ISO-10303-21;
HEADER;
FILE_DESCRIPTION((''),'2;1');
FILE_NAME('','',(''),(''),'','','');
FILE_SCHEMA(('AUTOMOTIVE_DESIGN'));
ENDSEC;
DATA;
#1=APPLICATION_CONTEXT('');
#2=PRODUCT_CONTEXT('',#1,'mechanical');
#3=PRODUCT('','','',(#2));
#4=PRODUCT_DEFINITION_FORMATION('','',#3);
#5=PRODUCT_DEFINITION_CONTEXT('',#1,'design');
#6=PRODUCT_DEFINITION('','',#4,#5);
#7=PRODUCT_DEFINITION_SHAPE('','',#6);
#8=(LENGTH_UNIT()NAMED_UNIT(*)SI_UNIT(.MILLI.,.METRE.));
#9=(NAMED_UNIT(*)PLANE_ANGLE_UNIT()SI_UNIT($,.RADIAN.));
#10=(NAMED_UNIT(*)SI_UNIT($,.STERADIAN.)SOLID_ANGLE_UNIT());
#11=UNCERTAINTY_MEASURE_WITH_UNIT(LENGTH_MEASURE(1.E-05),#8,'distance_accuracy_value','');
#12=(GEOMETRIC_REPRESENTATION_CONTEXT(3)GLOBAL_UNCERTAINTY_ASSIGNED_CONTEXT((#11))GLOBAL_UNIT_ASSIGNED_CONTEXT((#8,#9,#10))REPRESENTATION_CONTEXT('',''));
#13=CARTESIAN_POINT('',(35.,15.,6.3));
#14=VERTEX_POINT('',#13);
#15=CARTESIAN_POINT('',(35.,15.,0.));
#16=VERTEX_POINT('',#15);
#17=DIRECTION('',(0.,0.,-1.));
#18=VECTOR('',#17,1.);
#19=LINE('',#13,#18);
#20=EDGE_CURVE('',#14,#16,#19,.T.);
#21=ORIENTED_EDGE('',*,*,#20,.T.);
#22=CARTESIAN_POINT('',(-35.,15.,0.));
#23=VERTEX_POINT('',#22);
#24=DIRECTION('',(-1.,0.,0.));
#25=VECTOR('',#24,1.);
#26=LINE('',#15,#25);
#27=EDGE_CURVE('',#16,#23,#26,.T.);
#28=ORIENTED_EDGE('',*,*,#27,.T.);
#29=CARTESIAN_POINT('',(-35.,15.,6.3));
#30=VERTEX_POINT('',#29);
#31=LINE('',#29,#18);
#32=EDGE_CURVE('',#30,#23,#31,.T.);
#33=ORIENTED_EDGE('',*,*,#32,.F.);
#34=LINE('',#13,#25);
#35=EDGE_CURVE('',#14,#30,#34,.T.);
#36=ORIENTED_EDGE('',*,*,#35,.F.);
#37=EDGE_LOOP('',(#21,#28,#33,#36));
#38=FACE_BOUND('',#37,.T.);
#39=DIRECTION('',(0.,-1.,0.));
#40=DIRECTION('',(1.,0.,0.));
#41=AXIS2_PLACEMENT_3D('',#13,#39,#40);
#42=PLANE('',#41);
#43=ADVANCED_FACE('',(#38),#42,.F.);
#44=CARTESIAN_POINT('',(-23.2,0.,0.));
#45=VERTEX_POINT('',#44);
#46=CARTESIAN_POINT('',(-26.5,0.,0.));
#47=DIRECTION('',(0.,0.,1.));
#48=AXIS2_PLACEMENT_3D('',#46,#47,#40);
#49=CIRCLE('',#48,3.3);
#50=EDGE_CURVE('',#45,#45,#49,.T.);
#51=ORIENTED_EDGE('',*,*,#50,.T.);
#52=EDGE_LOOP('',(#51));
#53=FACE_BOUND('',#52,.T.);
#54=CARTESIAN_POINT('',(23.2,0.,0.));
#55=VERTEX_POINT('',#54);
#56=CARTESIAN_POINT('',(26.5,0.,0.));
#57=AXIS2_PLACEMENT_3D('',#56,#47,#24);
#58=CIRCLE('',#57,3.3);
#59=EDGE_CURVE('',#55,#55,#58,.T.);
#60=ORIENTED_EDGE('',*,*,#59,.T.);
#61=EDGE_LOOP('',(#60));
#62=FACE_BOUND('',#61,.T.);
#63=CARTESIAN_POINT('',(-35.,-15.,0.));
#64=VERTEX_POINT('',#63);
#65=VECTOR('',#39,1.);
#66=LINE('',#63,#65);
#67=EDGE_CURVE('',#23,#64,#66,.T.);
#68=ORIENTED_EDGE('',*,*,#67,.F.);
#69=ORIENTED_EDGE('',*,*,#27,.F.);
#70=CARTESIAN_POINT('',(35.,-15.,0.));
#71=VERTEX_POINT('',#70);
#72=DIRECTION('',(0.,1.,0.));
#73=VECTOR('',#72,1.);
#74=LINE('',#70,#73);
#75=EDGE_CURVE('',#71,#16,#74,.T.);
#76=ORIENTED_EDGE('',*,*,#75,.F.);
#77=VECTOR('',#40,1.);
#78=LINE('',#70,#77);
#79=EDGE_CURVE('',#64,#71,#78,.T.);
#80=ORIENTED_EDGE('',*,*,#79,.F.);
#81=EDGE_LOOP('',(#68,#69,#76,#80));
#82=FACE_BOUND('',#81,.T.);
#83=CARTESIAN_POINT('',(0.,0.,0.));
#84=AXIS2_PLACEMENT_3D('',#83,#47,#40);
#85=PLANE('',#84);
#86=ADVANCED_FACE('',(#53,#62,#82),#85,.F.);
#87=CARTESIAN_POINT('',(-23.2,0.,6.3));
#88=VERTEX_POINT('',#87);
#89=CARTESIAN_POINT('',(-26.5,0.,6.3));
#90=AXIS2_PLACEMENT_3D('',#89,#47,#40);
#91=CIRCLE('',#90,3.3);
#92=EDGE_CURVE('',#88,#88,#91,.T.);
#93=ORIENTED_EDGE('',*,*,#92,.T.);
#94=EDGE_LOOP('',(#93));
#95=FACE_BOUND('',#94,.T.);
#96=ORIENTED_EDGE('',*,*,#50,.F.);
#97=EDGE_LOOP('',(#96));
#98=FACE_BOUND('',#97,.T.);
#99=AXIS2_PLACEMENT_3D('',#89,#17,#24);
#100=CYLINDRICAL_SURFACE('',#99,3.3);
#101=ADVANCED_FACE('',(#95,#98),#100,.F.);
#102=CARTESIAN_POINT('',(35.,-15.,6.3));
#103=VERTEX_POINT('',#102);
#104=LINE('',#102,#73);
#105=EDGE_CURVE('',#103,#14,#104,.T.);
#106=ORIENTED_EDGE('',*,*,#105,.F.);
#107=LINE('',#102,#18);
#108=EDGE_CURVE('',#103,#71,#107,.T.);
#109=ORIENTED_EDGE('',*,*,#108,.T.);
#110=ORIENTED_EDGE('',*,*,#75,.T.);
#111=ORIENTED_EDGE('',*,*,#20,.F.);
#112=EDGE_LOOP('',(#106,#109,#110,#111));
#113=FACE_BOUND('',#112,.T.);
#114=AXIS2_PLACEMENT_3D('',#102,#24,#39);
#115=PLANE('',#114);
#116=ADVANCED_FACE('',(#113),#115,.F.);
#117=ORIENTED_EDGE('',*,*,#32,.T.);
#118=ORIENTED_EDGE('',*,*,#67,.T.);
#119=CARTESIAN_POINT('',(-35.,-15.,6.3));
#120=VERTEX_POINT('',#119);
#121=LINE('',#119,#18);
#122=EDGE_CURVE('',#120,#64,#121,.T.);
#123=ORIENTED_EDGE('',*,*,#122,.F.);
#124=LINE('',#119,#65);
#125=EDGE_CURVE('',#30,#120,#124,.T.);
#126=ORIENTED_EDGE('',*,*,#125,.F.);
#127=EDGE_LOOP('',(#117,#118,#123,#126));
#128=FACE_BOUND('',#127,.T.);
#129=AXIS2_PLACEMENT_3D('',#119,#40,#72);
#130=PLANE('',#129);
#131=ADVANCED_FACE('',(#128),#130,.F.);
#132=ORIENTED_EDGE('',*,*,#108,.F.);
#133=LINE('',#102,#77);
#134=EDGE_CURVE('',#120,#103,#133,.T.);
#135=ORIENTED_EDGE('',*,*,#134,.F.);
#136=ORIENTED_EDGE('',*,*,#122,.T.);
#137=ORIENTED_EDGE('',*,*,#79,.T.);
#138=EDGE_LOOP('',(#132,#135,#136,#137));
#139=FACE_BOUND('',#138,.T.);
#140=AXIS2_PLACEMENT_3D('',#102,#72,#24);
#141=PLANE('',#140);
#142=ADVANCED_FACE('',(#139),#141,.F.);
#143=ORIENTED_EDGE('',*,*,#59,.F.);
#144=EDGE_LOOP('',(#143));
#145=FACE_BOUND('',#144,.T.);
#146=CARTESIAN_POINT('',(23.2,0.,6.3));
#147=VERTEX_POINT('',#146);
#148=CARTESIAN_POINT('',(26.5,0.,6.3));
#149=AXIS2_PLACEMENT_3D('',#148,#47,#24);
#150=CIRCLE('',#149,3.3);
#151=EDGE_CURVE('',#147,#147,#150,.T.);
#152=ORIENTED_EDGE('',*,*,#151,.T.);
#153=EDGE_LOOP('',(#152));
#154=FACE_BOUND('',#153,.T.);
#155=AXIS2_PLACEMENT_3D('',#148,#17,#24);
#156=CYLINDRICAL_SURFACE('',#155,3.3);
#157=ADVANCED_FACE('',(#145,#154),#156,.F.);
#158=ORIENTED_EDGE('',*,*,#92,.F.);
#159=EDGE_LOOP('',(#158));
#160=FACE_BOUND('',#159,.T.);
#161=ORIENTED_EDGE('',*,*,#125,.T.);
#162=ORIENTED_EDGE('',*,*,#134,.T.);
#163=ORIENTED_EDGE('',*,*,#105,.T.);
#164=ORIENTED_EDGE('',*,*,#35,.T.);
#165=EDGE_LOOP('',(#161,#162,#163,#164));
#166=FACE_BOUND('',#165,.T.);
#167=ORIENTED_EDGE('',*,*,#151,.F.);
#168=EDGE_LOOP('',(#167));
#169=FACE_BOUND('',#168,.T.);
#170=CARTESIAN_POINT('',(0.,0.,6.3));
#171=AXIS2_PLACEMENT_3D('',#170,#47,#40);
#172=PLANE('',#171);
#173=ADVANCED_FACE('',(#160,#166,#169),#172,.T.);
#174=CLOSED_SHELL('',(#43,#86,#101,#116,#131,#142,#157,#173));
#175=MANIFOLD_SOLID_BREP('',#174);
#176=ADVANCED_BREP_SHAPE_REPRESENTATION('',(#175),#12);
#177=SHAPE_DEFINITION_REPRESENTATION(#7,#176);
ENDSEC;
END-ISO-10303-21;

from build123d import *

# Parameters (mm, degrees)
SKETCH_1_W      = 70
SKETCH_1_H      = 30
SKETCH_1_R      = 3.3
EXTRUDE_1_DEPTH = 6.3


with BuildPart() as part:
    # 草图1 → 凸台-拉伸1 (new body)
    with BuildSketch(Plane.XY):
        Rectangle(SKETCH_1_W, SKETCH_1_H)
        with Locations((-26.5, 0)):
            Circle(SKETCH_1_R, mode=Mode.SUBTRACT)
        with Locations((26.5, 0)):
            Circle(SKETCH_1_R, mode=Mode.SUBTRACT)
    extrude(amount=EXTRUDE_1_DEPTH)


solid = part.part
